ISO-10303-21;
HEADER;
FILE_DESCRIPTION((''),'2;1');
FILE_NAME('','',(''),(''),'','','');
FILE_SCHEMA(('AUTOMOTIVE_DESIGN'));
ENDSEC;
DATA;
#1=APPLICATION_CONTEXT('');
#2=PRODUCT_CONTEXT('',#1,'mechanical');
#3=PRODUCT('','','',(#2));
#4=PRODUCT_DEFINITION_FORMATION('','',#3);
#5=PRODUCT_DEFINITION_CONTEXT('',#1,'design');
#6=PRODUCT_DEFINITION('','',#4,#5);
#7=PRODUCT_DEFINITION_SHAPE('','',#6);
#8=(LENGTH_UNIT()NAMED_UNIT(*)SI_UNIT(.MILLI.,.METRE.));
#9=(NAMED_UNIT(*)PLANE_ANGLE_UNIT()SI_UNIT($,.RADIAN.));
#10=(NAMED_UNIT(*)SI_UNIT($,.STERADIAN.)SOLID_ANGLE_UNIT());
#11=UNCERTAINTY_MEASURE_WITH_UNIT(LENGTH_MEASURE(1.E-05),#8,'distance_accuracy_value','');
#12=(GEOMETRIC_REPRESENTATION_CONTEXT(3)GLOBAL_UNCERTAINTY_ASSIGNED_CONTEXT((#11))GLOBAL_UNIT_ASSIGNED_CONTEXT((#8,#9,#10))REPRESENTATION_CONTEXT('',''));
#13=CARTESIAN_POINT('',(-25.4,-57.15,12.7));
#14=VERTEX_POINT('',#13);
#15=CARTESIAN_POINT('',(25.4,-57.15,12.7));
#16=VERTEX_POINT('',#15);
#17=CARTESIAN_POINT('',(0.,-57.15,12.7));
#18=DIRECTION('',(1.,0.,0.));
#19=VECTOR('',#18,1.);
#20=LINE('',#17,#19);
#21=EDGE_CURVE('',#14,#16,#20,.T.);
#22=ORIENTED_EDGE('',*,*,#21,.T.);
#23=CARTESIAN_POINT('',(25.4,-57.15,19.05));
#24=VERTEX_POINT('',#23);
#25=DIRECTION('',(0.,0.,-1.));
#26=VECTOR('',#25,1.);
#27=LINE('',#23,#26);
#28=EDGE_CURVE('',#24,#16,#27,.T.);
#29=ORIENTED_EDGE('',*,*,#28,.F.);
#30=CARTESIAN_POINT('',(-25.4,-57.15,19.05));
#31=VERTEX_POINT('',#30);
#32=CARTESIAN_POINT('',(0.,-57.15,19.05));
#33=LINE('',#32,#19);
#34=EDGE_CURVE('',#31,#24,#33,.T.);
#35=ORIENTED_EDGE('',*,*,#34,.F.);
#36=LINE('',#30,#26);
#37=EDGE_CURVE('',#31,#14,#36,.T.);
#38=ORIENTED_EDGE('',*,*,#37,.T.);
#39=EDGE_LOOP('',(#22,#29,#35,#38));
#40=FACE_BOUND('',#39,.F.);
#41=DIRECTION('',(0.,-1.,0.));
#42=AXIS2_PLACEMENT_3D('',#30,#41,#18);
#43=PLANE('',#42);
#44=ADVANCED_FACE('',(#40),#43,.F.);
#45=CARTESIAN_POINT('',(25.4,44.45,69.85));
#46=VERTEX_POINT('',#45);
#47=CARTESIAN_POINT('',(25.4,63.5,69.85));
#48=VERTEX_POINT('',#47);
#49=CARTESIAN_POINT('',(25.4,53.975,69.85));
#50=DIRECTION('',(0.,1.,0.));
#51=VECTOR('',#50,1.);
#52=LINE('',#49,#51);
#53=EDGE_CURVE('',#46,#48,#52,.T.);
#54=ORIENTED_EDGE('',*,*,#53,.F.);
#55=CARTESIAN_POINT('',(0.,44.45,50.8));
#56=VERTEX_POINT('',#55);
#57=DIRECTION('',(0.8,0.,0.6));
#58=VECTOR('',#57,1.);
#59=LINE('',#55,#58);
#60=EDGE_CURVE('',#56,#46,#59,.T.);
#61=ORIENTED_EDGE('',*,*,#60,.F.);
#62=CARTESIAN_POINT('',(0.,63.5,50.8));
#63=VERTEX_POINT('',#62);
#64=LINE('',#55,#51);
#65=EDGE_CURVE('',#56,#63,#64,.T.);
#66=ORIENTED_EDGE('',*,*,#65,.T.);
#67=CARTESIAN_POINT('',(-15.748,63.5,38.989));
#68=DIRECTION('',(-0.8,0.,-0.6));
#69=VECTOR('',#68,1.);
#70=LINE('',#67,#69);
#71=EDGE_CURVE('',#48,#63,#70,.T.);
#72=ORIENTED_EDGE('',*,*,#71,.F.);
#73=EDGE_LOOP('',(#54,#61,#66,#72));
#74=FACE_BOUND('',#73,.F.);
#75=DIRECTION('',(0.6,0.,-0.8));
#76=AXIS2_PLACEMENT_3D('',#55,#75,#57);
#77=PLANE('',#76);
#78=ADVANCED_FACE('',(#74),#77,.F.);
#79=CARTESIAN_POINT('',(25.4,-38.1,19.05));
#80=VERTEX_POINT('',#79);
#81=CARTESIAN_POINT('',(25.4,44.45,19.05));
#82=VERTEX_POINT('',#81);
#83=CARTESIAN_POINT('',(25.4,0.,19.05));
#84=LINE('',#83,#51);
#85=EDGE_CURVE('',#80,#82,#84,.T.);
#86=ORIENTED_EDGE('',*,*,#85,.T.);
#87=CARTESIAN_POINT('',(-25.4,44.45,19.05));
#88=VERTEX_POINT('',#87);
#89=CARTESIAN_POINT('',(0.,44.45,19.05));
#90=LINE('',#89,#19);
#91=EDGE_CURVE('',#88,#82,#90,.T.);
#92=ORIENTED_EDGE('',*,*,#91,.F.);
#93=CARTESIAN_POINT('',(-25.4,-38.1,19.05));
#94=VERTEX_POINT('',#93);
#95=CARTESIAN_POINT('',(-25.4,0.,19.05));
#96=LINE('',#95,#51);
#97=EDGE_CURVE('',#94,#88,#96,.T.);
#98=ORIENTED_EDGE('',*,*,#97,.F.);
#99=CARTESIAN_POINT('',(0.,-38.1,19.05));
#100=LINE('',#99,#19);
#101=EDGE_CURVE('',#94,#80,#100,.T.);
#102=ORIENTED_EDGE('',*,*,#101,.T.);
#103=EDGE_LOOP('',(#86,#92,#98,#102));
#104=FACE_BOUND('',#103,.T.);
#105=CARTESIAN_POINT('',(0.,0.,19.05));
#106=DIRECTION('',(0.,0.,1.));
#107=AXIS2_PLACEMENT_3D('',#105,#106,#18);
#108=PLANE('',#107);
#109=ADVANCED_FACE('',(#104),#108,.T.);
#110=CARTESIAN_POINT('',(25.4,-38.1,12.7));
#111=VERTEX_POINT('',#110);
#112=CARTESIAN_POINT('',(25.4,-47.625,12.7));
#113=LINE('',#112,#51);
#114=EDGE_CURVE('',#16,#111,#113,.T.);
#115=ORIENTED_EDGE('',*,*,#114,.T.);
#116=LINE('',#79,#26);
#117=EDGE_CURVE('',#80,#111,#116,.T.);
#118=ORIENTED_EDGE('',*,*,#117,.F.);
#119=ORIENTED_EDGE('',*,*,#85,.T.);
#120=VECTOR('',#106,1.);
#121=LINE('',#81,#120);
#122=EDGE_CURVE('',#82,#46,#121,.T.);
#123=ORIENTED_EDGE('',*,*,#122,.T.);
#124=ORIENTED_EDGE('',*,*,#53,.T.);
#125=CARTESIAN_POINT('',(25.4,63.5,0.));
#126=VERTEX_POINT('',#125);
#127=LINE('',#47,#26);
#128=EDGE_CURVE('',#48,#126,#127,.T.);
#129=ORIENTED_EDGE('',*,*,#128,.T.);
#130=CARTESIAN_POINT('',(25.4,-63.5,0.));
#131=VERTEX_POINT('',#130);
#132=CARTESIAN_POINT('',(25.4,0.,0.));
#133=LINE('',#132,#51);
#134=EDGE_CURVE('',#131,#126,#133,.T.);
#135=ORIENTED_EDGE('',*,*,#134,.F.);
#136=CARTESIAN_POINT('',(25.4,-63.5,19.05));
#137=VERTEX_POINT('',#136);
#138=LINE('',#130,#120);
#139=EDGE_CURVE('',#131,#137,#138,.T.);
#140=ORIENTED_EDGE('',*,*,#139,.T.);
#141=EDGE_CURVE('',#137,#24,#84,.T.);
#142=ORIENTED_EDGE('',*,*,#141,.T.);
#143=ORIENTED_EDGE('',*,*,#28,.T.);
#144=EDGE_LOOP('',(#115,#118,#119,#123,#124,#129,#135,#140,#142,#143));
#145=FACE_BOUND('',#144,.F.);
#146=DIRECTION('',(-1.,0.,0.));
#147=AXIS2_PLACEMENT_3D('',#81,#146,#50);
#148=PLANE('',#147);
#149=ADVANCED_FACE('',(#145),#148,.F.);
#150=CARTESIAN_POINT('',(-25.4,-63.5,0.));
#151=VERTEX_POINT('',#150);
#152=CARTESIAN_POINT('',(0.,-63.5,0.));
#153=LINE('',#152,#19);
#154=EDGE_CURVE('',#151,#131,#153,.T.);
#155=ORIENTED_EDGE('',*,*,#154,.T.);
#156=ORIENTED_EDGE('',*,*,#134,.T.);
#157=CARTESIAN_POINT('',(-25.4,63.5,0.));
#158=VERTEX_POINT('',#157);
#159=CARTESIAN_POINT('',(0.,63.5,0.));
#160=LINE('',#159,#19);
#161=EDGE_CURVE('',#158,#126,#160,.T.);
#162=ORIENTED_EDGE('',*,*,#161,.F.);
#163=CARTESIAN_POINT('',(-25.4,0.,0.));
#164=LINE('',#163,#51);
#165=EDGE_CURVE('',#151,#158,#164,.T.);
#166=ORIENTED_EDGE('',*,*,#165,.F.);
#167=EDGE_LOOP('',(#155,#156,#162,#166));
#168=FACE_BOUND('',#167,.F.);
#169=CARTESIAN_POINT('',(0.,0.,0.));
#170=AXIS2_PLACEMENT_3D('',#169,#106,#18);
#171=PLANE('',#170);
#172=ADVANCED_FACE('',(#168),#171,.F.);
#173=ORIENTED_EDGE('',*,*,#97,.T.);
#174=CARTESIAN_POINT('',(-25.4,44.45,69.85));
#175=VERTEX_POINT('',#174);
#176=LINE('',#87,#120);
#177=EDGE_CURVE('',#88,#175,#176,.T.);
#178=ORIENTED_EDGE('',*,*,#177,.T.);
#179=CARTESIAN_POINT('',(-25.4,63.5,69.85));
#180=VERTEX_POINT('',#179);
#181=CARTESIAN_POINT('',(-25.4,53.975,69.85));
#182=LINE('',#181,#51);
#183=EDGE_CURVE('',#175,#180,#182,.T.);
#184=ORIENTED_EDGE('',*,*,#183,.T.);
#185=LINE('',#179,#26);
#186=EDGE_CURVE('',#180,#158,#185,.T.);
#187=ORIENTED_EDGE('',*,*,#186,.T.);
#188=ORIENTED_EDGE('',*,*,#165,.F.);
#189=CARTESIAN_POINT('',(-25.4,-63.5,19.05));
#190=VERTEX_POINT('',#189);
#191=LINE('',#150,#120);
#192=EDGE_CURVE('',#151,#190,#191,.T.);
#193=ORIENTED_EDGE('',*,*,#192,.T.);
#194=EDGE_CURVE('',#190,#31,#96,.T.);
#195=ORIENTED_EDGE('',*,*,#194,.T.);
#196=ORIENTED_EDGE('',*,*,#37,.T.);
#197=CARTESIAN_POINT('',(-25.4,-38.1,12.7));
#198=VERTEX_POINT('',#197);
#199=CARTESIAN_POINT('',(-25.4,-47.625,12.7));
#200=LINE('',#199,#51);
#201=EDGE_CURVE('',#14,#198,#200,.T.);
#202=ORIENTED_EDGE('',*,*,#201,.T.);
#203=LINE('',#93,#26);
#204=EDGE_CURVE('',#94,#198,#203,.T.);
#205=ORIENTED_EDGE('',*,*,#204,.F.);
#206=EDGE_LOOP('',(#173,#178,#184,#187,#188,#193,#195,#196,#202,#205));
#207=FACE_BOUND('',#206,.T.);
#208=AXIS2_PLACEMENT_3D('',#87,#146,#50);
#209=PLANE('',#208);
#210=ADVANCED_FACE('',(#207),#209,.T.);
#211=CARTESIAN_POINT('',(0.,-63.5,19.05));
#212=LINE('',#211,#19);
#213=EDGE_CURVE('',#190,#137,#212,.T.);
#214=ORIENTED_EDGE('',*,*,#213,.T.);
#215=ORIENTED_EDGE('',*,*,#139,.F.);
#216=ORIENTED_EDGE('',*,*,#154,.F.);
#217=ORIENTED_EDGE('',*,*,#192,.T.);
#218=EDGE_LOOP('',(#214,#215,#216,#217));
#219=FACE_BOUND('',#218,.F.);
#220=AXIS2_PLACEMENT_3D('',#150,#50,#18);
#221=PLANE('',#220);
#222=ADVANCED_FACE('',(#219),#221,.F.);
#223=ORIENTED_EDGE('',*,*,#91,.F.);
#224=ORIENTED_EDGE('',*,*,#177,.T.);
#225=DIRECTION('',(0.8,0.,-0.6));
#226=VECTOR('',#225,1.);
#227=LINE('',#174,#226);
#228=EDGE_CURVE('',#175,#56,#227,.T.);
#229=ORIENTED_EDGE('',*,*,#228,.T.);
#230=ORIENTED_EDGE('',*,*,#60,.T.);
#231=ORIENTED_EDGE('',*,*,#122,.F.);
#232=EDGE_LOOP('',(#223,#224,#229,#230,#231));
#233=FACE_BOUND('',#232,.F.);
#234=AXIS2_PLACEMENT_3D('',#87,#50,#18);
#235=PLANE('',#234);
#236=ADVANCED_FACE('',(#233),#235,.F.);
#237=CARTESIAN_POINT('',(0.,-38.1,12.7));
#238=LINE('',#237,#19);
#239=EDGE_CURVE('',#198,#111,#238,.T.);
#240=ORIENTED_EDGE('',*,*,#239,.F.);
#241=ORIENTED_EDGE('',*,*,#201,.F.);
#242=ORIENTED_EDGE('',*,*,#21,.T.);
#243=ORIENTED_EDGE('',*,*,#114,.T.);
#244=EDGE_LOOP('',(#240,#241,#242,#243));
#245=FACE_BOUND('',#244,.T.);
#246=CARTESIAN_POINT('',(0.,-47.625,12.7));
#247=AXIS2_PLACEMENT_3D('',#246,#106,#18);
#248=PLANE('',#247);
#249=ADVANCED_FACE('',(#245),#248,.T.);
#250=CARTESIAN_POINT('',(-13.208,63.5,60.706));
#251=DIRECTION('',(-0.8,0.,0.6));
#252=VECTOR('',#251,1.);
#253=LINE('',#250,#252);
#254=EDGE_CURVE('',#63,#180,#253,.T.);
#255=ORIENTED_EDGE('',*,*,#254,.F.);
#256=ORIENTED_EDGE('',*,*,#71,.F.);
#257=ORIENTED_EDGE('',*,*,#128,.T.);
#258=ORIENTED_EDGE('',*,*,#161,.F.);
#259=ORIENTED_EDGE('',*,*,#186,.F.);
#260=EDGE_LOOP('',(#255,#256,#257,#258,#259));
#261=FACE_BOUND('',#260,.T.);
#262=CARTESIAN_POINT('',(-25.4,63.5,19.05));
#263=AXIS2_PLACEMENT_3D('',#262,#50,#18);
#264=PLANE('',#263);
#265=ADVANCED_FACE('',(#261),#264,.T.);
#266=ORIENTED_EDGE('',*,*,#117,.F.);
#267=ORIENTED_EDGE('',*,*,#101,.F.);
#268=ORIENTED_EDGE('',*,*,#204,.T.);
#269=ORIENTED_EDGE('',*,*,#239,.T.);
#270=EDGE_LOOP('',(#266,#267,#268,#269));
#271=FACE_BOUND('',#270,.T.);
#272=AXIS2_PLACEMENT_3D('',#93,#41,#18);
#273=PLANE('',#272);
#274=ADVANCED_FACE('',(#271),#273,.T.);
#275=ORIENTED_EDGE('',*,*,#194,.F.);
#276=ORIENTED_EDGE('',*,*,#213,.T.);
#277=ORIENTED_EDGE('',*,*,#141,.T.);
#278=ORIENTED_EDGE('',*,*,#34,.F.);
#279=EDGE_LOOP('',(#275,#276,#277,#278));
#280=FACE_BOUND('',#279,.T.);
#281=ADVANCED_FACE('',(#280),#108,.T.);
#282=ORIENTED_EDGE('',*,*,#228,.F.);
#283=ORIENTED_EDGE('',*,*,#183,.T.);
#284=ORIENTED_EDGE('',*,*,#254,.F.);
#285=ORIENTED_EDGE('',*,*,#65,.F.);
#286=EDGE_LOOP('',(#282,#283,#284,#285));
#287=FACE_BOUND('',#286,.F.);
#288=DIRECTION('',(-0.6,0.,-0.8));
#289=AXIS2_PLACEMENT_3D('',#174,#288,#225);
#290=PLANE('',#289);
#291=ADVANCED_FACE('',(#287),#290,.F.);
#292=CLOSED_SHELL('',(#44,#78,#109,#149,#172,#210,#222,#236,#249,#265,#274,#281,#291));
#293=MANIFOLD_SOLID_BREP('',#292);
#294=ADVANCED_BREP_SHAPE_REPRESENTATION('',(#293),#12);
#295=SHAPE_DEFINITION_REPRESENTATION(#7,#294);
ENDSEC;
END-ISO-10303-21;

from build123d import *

# Parameters (mm, degrees)
F0_W          = 50.8
F0_H          = 127
F1_DEPTH      = 19.05
F2_W          = 50.8
F2_H          = 19.05
F3_DEPTH      = 6.35
F4_W          = 50.8
F4_H          = 19.05
F5_DEPTH      = 50.8
F7_DEPTH      = 19.051
F7_DEPTH_BACK = 107.951


with BuildPart() as f1:
    # F0 (on Top) → F1 (new body)
    with BuildSketch(Plane.XY):
        Rectangle(F0_W, F0_H)
    extrude(amount=F1_DEPTH)

    # F2 (on face) → F3 (cut)
    with BuildSketch(Plane.XY.offset(19.05)):
        with Locations((0, -47.625)):
            Rectangle(F2_W, F2_H)
    extrude(amount=-F3_DEPTH, mode=Mode.SUBTRACT)

    # F4 (on face) → F5 (join)
    with BuildSketch(Plane.XY.offset(19.05)):
        with Locations((0, 53.975)):
            Rectangle(F4_W, F4_H)
    extrude(amount=F5_DEPTH)

    # F6 (on face) → F7 (cut, two sides)
    with BuildSketch(Plane.XZ.offset(-44.45)) as f7_sk:
        Polygon((25.4, 69.85), (0, 69.85), (0, 50.8), align=None)
        Polygon((0, 50.8), (0, 69.85), (-25.4, 69.85), align=None)
    extrude(amount=-F7_DEPTH, mode=Mode.SUBTRACT)
    extrude(f7_sk.sketch, amount=-F7_DEPTH_BACK, mode=Mode.SUBTRACT)


solid = f1.part
